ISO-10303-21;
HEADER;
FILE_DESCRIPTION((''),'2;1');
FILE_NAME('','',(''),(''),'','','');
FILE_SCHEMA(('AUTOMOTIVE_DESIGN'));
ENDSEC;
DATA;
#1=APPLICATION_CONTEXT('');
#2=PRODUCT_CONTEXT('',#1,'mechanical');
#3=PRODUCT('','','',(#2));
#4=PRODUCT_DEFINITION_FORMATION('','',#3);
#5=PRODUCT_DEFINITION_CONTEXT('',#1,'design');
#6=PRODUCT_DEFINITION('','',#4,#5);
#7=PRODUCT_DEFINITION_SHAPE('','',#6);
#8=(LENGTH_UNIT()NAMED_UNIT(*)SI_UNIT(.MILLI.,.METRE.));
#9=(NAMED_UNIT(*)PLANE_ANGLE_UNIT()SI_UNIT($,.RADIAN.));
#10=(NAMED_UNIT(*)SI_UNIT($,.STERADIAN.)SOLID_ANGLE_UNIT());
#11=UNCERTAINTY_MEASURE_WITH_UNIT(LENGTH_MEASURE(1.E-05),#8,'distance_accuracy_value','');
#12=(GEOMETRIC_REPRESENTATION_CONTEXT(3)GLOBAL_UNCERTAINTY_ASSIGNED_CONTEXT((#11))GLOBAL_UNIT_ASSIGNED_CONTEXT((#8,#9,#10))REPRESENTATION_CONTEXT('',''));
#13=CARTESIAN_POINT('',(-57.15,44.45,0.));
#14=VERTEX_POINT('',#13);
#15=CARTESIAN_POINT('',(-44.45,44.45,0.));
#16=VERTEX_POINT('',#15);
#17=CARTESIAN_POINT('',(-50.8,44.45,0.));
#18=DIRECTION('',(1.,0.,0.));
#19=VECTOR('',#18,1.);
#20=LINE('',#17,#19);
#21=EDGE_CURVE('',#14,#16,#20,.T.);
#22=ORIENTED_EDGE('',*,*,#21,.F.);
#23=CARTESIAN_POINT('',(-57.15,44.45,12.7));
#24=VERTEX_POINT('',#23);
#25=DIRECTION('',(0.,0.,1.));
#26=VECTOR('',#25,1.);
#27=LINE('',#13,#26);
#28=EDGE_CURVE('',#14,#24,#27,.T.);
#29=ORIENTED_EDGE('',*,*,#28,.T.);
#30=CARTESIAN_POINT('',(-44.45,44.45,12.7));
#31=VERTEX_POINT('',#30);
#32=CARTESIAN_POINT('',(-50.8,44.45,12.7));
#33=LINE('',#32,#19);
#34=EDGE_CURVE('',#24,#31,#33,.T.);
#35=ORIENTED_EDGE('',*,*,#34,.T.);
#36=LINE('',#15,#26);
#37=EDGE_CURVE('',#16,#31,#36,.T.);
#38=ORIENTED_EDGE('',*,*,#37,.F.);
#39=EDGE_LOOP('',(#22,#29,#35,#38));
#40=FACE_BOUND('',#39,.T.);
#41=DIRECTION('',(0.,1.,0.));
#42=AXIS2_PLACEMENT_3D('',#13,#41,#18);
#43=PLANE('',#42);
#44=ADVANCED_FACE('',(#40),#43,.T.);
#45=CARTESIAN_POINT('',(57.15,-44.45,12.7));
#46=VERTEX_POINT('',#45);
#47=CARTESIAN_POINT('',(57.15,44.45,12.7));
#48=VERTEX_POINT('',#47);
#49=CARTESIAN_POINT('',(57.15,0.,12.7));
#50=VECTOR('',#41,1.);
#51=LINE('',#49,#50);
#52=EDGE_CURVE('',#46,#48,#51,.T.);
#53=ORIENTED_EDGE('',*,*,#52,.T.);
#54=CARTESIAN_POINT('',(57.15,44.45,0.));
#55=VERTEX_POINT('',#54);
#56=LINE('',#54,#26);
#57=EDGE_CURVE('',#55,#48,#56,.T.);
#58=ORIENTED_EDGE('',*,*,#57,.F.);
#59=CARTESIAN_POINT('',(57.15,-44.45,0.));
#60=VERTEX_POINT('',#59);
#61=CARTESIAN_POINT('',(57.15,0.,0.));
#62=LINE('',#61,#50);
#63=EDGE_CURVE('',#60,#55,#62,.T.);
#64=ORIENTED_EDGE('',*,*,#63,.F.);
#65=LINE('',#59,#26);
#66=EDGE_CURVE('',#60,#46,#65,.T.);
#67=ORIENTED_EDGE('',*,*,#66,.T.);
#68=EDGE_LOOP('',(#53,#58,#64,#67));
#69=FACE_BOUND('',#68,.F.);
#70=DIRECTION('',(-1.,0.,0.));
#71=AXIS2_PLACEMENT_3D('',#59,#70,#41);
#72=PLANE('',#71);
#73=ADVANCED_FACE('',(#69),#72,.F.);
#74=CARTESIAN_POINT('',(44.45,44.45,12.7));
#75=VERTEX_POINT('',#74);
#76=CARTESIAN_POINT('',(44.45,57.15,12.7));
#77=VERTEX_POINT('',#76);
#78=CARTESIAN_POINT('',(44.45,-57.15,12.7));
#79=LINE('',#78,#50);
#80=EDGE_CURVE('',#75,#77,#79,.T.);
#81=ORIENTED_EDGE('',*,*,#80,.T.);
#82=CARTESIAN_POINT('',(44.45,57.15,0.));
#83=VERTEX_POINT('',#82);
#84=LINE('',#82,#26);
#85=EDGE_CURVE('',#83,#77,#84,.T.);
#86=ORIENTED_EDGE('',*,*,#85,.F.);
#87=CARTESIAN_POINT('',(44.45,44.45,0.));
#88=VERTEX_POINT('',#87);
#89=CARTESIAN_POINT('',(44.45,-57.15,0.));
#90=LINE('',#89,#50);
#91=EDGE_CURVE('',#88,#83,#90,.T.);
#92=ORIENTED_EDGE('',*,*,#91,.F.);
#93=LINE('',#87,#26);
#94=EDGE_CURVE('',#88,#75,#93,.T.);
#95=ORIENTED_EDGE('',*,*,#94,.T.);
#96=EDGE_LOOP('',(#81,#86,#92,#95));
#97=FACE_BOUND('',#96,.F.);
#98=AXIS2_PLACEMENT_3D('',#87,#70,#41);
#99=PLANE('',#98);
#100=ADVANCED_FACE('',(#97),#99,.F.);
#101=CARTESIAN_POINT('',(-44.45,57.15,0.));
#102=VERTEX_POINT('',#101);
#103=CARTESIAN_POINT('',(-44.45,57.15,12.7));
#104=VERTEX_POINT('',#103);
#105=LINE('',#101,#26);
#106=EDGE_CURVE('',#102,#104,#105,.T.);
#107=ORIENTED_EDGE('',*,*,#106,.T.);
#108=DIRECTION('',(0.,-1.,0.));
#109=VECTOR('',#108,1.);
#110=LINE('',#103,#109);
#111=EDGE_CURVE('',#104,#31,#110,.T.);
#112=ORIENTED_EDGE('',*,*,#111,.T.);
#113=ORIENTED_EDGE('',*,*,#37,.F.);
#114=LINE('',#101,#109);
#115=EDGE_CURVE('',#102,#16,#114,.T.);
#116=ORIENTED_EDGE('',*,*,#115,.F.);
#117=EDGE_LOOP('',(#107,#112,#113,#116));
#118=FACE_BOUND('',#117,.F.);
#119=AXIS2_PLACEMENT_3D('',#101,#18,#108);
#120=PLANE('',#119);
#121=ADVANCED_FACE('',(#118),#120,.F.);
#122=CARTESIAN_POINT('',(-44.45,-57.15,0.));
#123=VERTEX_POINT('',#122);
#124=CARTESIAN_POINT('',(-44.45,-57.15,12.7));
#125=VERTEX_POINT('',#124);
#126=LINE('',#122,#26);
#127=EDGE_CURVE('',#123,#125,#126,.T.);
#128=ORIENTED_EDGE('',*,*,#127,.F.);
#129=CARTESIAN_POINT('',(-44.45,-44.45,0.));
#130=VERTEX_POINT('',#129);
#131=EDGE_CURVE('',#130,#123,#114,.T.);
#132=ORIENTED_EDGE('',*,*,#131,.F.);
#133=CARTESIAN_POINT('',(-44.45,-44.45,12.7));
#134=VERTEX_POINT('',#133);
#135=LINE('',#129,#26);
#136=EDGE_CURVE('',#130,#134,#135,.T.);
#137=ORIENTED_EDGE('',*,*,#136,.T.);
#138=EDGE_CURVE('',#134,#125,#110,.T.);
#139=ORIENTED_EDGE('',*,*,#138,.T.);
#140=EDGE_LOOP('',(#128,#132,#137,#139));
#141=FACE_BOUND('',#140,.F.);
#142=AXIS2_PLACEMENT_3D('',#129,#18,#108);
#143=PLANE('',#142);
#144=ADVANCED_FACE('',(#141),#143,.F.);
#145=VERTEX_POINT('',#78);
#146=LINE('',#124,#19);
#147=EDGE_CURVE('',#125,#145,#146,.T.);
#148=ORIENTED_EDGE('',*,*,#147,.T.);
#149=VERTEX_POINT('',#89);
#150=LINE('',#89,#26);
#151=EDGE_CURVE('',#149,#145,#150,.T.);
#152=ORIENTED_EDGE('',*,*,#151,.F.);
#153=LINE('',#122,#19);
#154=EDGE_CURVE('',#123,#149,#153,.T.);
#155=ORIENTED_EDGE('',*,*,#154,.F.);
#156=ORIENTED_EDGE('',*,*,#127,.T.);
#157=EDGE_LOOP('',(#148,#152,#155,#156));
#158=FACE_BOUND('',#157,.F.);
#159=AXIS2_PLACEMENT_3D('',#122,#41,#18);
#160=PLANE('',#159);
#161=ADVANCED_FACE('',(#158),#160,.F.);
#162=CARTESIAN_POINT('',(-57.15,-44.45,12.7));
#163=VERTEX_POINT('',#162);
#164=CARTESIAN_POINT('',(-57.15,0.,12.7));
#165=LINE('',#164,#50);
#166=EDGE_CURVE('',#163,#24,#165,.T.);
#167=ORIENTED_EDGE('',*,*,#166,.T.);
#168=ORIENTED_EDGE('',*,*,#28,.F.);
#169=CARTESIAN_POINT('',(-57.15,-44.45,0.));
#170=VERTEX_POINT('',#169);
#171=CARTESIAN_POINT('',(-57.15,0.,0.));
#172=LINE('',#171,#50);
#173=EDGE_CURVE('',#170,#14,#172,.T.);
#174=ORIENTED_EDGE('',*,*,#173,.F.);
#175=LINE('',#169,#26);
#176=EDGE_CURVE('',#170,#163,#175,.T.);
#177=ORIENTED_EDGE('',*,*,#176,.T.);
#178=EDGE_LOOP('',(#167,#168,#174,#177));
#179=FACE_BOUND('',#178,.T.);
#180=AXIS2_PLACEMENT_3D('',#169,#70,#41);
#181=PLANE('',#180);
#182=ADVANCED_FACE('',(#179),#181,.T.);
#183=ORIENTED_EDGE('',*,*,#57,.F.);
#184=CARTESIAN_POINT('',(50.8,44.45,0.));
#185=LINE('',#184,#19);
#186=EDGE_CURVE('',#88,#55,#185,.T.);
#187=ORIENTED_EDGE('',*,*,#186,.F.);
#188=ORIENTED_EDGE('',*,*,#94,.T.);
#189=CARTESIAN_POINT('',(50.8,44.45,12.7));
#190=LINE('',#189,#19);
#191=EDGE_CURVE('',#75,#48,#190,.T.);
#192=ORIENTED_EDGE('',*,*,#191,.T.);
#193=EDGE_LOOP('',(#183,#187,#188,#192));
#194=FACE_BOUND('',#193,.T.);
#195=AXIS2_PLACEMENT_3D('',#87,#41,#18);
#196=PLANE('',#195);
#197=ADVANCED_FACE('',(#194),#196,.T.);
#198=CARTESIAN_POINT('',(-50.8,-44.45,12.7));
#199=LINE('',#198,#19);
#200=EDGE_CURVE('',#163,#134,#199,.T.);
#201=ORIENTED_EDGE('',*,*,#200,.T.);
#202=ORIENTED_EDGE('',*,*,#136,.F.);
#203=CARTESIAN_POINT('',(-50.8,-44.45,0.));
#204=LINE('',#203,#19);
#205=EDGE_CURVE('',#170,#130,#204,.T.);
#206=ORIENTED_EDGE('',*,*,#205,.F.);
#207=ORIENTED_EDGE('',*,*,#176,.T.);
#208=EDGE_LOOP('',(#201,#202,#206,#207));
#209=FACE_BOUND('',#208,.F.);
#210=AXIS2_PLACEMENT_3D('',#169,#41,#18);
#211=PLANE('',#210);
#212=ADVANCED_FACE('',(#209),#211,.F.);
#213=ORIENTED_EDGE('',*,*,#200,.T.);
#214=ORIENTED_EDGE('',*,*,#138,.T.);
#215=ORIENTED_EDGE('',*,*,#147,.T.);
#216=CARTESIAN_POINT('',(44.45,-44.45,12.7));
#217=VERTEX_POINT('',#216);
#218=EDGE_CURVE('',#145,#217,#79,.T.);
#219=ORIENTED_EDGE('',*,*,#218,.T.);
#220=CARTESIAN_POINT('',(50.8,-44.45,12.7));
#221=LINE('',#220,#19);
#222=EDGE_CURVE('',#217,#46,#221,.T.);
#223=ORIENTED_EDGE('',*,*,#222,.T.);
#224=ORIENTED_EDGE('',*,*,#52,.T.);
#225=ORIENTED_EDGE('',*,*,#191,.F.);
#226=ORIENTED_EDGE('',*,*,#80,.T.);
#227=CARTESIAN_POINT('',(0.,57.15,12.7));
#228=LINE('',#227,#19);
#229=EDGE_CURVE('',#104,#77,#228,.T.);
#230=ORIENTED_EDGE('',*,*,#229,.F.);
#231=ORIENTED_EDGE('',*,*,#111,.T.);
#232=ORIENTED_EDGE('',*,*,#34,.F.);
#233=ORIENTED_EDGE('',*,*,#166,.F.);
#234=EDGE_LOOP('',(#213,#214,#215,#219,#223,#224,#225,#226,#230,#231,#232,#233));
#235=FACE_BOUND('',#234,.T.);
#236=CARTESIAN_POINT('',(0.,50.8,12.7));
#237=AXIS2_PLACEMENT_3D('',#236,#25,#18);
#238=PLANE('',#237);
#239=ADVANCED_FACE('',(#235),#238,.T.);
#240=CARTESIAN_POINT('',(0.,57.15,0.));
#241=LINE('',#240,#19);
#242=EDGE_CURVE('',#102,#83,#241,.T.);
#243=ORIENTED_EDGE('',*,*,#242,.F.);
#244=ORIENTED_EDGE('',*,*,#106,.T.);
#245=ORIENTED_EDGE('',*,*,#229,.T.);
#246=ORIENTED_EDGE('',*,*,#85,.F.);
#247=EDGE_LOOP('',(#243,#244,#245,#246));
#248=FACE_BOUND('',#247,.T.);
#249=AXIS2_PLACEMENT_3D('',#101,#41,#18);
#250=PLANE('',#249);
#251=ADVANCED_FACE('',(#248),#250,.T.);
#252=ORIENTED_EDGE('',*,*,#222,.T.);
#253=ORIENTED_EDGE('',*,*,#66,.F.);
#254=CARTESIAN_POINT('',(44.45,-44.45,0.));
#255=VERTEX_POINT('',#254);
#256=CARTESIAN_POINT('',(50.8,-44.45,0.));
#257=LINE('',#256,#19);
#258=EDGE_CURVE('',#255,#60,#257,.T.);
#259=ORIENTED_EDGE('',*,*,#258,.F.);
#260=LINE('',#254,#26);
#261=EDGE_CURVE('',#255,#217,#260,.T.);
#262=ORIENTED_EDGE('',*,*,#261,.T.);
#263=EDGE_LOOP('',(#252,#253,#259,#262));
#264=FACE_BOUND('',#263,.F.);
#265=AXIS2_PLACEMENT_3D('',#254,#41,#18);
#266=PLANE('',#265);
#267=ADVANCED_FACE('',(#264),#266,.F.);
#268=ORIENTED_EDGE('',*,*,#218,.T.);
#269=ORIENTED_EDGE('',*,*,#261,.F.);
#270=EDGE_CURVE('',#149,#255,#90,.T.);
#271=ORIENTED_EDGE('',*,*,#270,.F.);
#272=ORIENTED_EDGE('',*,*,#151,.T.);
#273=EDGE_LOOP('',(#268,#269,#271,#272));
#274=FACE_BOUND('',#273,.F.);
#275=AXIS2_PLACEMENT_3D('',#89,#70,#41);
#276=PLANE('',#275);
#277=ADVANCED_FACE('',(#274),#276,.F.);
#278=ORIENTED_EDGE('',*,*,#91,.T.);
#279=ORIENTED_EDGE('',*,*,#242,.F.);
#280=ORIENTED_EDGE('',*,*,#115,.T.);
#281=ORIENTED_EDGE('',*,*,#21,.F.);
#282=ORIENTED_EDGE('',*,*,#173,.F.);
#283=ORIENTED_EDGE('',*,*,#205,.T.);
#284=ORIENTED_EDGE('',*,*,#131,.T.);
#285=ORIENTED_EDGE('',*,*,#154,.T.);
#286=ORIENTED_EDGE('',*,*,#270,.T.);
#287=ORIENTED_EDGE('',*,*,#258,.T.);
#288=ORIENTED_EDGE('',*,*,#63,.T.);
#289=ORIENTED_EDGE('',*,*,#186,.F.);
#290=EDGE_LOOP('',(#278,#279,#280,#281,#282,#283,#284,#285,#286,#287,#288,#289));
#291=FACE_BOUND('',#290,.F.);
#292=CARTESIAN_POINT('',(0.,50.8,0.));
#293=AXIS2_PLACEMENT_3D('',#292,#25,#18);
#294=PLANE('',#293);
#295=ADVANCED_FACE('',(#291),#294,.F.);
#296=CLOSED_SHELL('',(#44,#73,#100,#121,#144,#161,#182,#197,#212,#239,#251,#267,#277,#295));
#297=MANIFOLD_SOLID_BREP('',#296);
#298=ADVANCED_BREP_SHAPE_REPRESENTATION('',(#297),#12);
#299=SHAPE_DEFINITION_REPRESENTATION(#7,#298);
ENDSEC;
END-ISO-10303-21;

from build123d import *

# Parameters (mm, degrees)
F0_W     = 88.9
F0_H     = 12.7
F0_W_2   = 12.7
F0_H_2   = 88.9
F1_DEPTH = 12.7


with BuildPart() as f1:
    # F0 (on Top) → F1 (new body)
    with BuildSketch(Plane.XY):
        with Locations((0, 50.8)):
            Rectangle(F0_W, F0_H)
        Polygon((44.45, 44.45), (-44.45, 44.45), (-44.45, -44.45), (-44.45, -57.15), (44.45, -57.15), (44.45, -44.45), align=None)
        with Locations((-50.8, 0)):
            Rectangle(F0_W_2, F0_H_2)
        with Locations((50.8, 0)):
            Rectangle(F0_W_2, F0_H_2)
    extrude(amount=F1_DEPTH)


solid = f1.part
